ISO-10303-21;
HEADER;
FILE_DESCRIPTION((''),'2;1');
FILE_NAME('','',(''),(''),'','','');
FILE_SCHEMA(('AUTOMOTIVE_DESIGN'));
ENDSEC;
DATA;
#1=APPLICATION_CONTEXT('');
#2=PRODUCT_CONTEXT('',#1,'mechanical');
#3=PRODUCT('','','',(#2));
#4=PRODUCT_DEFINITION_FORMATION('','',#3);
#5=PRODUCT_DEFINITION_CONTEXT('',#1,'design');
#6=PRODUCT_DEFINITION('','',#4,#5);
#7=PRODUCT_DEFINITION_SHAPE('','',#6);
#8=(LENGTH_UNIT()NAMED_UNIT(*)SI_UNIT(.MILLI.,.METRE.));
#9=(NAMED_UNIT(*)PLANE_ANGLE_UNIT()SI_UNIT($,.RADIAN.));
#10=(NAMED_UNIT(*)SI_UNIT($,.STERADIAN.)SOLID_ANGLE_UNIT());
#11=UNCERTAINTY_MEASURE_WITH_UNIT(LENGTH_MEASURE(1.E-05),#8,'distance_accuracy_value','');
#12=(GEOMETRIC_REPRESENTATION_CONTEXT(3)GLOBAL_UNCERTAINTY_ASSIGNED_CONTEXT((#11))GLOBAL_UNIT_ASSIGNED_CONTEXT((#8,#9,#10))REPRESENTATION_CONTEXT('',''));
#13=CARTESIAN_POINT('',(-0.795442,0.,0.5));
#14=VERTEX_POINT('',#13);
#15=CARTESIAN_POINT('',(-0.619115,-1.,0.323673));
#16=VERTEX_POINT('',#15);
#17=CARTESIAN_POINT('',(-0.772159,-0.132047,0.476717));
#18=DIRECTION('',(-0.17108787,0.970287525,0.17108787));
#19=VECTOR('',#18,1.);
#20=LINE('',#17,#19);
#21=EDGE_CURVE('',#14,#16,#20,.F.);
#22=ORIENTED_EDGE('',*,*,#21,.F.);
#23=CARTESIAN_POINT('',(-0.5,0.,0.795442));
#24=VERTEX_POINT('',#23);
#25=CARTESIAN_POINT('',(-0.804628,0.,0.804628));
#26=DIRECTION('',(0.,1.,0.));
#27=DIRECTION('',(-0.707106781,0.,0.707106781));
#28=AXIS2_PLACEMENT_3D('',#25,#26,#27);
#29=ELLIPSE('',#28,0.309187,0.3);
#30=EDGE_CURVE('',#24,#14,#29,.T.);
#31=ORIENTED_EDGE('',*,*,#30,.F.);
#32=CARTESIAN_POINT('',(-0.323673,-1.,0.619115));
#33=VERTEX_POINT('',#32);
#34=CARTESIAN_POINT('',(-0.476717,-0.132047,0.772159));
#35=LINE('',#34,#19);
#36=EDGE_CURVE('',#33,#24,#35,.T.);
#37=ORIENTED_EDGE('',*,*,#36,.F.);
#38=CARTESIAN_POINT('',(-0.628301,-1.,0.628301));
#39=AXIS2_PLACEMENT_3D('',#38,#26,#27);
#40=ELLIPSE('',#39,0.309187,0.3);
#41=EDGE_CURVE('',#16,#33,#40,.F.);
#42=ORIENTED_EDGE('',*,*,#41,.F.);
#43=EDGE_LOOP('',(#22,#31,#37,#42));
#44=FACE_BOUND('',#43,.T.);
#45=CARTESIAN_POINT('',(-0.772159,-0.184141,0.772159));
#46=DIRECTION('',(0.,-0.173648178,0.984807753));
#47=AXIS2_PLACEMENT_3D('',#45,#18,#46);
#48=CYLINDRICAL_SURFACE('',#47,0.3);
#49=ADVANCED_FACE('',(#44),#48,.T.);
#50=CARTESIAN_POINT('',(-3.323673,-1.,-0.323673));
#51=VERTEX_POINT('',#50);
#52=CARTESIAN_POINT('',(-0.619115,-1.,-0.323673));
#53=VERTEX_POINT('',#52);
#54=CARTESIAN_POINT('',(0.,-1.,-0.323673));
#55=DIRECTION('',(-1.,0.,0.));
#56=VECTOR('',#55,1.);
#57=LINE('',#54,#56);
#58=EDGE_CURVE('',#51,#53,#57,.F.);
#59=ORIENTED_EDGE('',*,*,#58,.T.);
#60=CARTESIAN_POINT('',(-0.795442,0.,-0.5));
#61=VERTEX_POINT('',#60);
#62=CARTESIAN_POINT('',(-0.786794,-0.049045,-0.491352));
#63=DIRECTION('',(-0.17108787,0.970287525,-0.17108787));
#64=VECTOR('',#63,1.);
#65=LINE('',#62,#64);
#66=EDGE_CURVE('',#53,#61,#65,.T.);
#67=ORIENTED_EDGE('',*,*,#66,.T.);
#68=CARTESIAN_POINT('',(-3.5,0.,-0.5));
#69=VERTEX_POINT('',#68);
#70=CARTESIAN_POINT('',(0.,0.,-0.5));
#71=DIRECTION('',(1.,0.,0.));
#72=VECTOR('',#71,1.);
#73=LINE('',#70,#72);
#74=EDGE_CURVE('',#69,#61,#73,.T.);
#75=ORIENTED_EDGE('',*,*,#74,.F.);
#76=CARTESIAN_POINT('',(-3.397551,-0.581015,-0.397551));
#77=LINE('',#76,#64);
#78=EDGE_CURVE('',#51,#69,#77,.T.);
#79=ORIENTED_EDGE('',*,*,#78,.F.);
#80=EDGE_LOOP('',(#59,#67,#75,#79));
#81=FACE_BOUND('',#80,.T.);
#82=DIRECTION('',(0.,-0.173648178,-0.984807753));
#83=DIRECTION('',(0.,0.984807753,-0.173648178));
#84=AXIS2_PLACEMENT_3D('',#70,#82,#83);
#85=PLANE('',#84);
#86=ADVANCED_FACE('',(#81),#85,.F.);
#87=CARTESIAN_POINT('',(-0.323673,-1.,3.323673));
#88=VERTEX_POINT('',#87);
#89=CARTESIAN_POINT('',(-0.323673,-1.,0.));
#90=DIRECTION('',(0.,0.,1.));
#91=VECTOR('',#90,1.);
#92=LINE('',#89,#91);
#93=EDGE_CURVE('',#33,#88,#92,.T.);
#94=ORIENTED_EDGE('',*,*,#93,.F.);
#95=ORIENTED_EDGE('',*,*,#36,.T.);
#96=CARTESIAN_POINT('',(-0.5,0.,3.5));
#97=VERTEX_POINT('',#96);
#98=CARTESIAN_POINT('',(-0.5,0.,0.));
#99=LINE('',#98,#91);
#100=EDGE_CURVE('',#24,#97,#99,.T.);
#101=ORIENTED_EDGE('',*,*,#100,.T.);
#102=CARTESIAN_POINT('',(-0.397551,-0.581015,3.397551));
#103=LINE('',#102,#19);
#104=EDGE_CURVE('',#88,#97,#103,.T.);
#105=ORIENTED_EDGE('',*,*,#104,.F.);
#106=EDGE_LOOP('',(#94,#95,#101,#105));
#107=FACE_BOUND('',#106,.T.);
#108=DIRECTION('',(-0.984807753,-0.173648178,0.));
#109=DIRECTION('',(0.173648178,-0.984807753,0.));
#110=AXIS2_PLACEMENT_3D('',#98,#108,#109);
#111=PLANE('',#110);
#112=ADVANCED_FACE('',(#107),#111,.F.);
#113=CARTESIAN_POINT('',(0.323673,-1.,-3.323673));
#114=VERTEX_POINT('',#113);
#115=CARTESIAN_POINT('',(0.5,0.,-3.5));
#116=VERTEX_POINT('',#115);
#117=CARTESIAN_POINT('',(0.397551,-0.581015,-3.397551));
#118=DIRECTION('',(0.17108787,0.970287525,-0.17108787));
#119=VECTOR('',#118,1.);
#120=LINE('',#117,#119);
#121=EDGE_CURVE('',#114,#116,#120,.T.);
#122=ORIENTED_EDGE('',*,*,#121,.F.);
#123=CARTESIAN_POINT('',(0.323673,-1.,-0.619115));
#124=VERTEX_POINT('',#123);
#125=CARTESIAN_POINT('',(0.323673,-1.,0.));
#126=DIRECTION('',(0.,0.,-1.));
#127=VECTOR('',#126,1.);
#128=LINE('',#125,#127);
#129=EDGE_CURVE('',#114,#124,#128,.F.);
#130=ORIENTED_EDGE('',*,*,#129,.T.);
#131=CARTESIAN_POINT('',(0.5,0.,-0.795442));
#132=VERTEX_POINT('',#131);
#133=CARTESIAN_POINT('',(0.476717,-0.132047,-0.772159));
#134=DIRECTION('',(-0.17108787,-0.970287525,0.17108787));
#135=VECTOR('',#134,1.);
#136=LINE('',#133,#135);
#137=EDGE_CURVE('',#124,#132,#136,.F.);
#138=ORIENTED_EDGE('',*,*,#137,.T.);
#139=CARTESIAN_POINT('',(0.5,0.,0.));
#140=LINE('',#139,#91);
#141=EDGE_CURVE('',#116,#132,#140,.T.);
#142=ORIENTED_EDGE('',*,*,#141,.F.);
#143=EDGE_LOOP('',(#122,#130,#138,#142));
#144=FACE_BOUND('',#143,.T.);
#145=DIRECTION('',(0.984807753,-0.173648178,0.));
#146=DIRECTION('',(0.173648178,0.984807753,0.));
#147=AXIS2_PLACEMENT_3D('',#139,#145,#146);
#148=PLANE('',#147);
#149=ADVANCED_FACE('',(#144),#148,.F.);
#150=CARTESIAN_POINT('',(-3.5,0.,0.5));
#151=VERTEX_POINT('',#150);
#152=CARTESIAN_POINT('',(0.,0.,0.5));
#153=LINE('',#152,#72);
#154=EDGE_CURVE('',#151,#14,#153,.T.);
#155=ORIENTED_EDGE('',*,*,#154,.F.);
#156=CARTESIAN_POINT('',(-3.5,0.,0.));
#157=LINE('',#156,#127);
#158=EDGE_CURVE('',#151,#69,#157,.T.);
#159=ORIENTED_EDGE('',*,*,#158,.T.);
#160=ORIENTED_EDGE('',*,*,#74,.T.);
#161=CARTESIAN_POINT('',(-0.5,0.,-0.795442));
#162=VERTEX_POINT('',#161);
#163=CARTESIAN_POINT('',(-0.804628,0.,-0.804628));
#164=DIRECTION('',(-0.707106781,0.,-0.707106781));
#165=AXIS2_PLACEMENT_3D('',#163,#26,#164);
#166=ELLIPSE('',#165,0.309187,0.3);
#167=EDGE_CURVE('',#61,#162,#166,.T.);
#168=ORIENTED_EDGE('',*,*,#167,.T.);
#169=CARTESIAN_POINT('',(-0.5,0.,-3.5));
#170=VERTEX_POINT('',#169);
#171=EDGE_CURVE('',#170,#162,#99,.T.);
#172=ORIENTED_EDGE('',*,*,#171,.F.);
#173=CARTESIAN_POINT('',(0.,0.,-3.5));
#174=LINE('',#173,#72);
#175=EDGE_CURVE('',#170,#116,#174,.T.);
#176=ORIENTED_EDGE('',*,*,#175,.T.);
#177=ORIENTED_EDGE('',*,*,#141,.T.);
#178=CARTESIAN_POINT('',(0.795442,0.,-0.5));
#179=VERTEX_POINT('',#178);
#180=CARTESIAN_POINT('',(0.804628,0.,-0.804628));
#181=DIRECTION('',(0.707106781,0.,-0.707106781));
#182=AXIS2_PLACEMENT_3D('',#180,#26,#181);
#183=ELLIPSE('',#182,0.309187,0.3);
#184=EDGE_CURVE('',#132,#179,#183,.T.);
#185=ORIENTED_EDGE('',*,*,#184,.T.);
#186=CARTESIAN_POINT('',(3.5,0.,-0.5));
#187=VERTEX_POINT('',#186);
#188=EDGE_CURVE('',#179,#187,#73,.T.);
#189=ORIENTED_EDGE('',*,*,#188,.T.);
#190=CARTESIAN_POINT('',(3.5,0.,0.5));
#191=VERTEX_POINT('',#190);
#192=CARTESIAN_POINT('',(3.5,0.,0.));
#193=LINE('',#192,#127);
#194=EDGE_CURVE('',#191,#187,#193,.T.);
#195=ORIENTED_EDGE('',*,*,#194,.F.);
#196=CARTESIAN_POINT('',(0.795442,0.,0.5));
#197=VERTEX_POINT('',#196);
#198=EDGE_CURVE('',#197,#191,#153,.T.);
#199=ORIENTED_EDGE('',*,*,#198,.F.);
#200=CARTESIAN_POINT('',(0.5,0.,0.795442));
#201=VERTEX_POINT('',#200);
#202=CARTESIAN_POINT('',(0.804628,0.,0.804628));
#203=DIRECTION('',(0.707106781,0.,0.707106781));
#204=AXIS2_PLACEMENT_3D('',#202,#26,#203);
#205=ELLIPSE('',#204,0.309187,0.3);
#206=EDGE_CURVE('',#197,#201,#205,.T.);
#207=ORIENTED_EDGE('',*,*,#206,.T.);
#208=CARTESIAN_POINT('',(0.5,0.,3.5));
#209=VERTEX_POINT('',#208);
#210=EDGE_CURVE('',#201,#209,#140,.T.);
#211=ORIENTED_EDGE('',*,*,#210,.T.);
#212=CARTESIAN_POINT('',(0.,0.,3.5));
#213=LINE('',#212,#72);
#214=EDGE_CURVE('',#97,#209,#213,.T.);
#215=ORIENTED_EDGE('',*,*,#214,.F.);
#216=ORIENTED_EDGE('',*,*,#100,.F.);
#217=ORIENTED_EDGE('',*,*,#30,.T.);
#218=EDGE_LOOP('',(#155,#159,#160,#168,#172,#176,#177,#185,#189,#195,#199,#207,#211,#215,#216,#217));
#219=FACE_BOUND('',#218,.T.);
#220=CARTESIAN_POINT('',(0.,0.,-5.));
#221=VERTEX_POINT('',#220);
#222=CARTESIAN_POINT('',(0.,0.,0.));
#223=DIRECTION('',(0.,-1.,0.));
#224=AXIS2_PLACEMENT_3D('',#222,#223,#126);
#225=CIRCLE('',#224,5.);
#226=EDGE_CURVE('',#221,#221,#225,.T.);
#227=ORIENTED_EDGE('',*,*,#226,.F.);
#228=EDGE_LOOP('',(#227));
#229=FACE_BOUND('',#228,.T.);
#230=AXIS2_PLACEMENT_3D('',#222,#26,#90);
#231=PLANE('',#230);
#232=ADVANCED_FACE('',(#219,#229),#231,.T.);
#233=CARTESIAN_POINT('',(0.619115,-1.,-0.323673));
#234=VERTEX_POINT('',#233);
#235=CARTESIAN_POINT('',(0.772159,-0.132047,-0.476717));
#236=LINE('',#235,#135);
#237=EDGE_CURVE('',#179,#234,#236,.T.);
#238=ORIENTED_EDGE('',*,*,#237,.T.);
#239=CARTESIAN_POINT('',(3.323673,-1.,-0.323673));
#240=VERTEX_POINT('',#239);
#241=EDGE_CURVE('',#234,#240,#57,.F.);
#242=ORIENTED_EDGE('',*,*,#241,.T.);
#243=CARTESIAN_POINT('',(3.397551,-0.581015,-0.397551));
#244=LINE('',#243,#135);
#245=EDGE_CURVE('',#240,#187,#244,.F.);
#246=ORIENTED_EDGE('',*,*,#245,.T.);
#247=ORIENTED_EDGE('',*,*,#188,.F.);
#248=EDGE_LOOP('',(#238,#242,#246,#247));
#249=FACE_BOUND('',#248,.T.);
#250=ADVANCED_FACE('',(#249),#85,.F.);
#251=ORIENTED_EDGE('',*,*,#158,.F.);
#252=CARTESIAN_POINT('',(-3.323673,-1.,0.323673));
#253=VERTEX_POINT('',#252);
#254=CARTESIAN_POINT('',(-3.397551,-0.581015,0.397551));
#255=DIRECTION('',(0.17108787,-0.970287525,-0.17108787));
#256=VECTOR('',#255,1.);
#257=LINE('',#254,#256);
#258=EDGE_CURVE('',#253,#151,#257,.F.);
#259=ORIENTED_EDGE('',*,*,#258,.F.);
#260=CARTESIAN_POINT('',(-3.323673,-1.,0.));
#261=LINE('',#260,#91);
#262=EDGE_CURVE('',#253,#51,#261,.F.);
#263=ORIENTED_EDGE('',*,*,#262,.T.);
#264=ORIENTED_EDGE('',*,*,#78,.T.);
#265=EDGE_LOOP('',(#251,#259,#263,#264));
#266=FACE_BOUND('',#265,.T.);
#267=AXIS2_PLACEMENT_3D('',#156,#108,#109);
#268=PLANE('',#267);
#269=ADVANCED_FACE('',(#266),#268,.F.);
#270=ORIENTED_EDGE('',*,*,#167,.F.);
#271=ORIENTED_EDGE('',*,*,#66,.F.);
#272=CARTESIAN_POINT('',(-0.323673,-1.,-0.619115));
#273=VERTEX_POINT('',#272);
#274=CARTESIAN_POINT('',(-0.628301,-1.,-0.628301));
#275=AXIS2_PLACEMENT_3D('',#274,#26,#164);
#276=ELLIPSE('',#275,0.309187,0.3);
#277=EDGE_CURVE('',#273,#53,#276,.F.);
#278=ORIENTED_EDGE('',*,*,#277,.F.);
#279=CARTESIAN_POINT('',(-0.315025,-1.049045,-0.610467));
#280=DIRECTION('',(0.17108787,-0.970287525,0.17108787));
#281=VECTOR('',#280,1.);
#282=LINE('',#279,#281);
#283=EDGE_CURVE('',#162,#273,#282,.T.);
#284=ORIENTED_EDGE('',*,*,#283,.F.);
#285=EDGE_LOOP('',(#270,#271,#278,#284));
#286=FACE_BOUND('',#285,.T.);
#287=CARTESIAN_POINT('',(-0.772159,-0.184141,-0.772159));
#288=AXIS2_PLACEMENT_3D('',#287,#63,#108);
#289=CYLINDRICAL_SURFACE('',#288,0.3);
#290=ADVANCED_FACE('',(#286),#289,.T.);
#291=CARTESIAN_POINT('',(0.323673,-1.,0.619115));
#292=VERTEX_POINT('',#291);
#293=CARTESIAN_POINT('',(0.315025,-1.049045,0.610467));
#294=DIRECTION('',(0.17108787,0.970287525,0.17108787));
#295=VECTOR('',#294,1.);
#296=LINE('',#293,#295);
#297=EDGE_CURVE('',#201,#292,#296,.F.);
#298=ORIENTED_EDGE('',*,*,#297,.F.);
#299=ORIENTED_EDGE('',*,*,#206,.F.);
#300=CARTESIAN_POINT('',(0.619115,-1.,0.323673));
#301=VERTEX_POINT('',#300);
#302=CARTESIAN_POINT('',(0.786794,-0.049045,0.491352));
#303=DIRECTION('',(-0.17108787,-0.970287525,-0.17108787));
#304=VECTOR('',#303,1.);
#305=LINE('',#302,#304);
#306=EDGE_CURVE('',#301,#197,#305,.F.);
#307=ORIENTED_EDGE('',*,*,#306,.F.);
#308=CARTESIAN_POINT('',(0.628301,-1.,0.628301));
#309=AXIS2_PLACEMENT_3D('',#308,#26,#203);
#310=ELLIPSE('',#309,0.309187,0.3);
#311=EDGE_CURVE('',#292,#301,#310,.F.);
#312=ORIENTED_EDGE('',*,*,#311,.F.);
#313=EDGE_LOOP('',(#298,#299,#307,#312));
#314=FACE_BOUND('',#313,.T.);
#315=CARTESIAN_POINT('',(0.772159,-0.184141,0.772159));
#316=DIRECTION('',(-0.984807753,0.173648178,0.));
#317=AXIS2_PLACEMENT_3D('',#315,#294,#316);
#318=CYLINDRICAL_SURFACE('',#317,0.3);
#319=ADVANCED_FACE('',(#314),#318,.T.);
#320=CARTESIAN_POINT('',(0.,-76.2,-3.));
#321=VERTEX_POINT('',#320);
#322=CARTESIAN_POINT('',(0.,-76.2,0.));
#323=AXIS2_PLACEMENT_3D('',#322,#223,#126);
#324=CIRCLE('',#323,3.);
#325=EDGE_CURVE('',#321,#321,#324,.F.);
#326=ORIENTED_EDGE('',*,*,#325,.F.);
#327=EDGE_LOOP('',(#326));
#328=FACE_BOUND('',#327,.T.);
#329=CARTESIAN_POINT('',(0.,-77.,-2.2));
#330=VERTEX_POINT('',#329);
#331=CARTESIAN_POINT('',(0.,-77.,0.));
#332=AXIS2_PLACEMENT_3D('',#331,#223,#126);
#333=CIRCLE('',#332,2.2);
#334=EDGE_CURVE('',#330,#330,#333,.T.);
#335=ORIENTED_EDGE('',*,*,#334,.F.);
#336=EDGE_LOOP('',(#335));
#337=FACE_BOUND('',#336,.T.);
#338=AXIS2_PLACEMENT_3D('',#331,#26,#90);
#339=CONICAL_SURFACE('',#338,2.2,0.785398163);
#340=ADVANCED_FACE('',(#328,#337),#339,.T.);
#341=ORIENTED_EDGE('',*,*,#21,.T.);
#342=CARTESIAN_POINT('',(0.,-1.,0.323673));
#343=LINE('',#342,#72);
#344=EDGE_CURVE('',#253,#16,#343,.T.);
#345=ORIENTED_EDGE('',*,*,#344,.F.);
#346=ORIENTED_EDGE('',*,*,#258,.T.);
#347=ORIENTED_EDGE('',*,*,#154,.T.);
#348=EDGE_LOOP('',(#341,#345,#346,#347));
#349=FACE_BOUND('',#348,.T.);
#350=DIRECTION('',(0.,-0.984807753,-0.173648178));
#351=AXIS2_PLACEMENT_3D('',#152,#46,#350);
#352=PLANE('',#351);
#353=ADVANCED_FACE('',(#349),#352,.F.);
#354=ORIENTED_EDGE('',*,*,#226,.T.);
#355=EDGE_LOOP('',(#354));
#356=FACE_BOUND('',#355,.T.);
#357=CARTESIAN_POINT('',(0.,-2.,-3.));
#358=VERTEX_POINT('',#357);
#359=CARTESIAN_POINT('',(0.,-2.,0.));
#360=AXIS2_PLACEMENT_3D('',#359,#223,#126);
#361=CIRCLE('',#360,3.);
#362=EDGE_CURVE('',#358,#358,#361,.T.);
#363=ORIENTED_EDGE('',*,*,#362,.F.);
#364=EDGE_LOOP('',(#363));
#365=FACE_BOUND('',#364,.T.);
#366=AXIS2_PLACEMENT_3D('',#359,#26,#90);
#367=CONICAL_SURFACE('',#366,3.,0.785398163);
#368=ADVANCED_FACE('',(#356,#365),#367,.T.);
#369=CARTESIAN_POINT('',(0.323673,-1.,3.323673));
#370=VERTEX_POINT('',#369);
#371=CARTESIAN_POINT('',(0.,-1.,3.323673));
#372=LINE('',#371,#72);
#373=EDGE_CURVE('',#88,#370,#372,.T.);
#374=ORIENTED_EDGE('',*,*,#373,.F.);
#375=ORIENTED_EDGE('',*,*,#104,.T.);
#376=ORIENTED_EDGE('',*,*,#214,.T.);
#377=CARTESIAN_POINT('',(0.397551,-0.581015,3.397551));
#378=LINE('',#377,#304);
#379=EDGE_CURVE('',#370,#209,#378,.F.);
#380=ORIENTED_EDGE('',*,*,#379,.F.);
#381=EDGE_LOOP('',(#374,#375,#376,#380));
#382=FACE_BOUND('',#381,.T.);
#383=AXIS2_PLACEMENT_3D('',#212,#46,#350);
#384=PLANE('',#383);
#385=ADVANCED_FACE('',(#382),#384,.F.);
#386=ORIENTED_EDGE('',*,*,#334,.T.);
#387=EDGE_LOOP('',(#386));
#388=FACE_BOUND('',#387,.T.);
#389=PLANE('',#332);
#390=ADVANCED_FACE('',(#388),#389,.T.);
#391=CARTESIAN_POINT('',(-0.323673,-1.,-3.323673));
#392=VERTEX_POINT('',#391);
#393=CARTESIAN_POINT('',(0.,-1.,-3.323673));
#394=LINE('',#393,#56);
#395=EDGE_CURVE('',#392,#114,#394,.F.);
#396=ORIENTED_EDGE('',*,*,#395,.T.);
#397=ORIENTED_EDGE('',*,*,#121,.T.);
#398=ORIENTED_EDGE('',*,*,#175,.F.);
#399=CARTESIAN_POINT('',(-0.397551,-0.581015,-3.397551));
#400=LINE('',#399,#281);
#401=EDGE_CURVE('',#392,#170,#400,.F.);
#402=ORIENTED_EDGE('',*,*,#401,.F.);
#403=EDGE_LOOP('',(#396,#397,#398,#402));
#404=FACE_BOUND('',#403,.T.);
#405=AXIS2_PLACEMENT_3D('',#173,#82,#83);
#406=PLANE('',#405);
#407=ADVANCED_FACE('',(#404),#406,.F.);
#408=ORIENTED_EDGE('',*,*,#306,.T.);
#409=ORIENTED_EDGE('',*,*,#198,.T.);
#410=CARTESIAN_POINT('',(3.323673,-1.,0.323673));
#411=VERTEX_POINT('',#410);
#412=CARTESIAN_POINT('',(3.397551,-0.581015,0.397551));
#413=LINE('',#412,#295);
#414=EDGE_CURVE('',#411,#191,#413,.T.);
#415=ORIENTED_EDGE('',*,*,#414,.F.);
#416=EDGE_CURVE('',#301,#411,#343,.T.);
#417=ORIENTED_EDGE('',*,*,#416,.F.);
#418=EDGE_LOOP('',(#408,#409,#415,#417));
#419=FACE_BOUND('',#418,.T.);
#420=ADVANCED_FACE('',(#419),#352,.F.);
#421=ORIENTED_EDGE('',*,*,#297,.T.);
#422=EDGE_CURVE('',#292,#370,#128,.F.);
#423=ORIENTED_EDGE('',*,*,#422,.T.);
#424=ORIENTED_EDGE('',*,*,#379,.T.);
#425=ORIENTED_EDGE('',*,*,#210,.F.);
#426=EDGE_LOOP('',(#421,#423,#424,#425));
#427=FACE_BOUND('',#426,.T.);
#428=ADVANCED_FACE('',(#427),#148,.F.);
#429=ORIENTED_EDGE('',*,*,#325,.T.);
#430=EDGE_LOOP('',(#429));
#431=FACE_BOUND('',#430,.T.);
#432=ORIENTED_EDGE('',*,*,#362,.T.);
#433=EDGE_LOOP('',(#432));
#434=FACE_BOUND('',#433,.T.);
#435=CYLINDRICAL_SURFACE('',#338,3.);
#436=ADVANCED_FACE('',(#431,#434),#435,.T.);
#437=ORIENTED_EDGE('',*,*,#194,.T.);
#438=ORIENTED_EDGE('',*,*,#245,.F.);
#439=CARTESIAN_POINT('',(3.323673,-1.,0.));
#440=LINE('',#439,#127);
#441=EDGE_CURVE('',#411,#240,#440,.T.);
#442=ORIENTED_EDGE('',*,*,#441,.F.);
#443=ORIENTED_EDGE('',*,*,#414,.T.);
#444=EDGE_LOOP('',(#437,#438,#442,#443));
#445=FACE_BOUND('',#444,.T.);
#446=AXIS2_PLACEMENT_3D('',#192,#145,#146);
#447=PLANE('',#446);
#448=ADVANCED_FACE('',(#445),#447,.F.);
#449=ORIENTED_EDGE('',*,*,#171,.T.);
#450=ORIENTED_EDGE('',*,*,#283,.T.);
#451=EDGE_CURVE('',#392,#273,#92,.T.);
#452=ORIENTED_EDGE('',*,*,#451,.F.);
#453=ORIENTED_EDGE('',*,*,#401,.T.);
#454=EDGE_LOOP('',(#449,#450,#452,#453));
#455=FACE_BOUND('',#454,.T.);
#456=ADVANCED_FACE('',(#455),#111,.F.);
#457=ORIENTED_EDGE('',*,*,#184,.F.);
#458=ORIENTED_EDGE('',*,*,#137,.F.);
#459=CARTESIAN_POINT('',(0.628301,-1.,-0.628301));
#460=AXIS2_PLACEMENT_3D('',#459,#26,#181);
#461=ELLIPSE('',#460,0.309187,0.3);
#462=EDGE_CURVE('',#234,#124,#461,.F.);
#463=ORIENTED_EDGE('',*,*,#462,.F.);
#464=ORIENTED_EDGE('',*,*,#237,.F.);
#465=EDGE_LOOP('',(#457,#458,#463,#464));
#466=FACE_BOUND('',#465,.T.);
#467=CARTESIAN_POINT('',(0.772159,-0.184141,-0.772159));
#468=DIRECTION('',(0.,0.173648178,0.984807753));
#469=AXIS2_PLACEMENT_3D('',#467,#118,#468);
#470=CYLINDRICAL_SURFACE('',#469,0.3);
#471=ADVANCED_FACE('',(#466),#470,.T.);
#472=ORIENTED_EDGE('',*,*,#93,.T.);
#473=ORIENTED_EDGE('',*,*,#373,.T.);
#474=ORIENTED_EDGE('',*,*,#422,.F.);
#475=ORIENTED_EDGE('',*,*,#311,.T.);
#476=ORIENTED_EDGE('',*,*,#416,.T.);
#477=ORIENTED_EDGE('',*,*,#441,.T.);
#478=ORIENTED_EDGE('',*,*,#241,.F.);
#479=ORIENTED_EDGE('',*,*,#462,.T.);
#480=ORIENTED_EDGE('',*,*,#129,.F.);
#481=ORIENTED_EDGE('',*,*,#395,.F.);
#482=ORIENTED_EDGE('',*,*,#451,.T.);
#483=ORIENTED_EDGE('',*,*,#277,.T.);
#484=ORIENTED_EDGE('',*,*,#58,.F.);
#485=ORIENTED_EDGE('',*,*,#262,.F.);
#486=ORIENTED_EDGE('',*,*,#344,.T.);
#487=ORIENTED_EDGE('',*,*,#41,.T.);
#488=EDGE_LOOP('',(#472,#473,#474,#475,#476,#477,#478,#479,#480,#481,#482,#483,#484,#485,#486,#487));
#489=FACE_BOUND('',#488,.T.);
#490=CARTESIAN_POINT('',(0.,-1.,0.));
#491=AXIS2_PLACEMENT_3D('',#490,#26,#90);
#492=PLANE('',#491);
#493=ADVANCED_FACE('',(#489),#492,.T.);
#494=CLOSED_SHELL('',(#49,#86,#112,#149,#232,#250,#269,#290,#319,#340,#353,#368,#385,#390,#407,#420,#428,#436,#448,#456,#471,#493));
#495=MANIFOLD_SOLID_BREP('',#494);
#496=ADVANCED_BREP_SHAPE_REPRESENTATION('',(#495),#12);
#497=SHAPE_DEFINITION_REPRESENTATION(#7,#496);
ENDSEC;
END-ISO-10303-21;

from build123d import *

# Parameters (mm, degrees)
SKETCH_2_R                    = 3
EXTRUDE_1_DEPTH               = 75
CHAMFER_1_SIZE                = 0.8
SKETCH_3_W                    = 7
SKETCH_3_H                    = 1
CUT_EXTRUDE_1_DEPTH           = 1
CUT_EXTRUDE_1_DRAFT           = -10
SKETCH_3_W_2                  = 1
SKETCH_3_H_2                  = 7
CUT_EXTRUDE_1_PROFILE_2_DEPTH = 1
CUT_EXTRUDE_1_PROFILE_2_DRAFT = -10
FILLET_1_R                    = 0.3


with BuildPart() as part:
    # 草图1 → 旋转1 (revolve)
    with BuildSketch(Plane.XY, mode=Mode.PRIVATE) as revolve_1_sk:
        Polygon((0, 0), (5, 0), (3, -2), (0, -2), align=None)
    revolve(revolve_1_sk.sketch.rotate(Axis((0, -2, 0), (0, 1, 0)), 90), axis=Axis((0, -2, 0), (0, 1, 0)))

    # 草图2 → 凸台-拉伸1 (add)
    with BuildSketch(Plane.XZ.offset(2)):
        with Locations(Location((0, 0, 0), (0, 0, 270))):
            Circle(SKETCH_2_R)
    extrude(amount=EXTRUDE_1_DEPTH)

    # 倒角1
    chamfer_1_edges = [part.edges().sort_by_distance(p)[0] for p in [
        (0, -77, 3),
    ]]
    chamfer(chamfer_1_edges, length=CHAMFER_1_SIZE)


with BuildPart() as cut_extrude_1_tool:
    # 草图3 → 切除-拉伸1 (with draft: the straight prism first)
    with BuildSketch(Plane(origin=(0, 0, 0), x_dir=(1, 0, 0), z_dir=(0, 1, 0))):
        Rectangle(SKETCH_3_W, SKETCH_3_H)
    extrude(amount=-CUT_EXTRUDE_1_DEPTH)
    # 切除-拉伸1: the draft: its side faces are tilted about the plane it starts from
    cut_extrude_1_sides = [cut_extrude_1_tool.faces().sort_by_distance(p)[0] for p in [
        (0, -0.5, 0.5),
        (3.5, -0.5, 0),
        (0, -0.5, -0.5),
        (-3.5, -0.5, 0),
    ]]
    draft(cut_extrude_1_sides, Plane(origin=(0, 0, 0), x_dir=(1, 0, 0), z_dir=(0, 1, 0)), CUT_EXTRUDE_1_DRAFT)


with BuildPart() as part_1:
    add(part.part)

    # 切除-拉伸1: cut by cut_extrude_1_tool
    add(cut_extrude_1_tool.part, mode=Mode.SUBTRACT)


with BuildPart() as cut_extrude_1_profile_2_tool:
    # 草图3 → 切除-拉伸1 profile 2 (with draft: the straight prism first)
    with BuildSketch(Plane(origin=(0, 0, 0), x_dir=(1, 0, 0), z_dir=(0, 1, 0))):
        Rectangle(SKETCH_3_W_2, SKETCH_3_H_2)
    extrude(amount=-CUT_EXTRUDE_1_PROFILE_2_DEPTH)
    # 切除-拉伸1 profile 2: the draft: its side faces are tilted about the plane it starts from
    cut_extrude_1_profile_2_sides = [cut_extrude_1_profile_2_tool.faces().sort_by_distance(p)[0] for p in [
        (-0.5, -0.5, 0),
        (0, -0.5, 3.5),
        (0.5, -0.5, 0),
        (0, -0.5, -3.5),
    ]]
    draft(cut_extrude_1_profile_2_sides, Plane(origin=(0, 0, 0), x_dir=(1, 0, 0), z_dir=(0, 1, 0)), CUT_EXTRUDE_1_PROFILE_2_DRAFT)


with BuildPart() as part_2:
    add(part_1.part)

    # 切除-拉伸1 profile 2: cut by cut_extrude_1_profile_2_tool
    add(cut_extrude_1_profile_2_tool.part, mode=Mode.SUBTRACT)

    # 圆角1
    fillet_1_edges = [part_2.edges().sort_by_distance(p)[0] for p in [
        (0.41183651, -0.5, -0.41183651),
        (0.41183651, -0.5, 0.41183651),
        (-0.41183651, -0.5, 0.41183651),
        (-0.41183651, -0.5, -0.41183651),
    ]]
    fillet(fillet_1_edges, radius=FILLET_1_R)


solid = part_2.part
